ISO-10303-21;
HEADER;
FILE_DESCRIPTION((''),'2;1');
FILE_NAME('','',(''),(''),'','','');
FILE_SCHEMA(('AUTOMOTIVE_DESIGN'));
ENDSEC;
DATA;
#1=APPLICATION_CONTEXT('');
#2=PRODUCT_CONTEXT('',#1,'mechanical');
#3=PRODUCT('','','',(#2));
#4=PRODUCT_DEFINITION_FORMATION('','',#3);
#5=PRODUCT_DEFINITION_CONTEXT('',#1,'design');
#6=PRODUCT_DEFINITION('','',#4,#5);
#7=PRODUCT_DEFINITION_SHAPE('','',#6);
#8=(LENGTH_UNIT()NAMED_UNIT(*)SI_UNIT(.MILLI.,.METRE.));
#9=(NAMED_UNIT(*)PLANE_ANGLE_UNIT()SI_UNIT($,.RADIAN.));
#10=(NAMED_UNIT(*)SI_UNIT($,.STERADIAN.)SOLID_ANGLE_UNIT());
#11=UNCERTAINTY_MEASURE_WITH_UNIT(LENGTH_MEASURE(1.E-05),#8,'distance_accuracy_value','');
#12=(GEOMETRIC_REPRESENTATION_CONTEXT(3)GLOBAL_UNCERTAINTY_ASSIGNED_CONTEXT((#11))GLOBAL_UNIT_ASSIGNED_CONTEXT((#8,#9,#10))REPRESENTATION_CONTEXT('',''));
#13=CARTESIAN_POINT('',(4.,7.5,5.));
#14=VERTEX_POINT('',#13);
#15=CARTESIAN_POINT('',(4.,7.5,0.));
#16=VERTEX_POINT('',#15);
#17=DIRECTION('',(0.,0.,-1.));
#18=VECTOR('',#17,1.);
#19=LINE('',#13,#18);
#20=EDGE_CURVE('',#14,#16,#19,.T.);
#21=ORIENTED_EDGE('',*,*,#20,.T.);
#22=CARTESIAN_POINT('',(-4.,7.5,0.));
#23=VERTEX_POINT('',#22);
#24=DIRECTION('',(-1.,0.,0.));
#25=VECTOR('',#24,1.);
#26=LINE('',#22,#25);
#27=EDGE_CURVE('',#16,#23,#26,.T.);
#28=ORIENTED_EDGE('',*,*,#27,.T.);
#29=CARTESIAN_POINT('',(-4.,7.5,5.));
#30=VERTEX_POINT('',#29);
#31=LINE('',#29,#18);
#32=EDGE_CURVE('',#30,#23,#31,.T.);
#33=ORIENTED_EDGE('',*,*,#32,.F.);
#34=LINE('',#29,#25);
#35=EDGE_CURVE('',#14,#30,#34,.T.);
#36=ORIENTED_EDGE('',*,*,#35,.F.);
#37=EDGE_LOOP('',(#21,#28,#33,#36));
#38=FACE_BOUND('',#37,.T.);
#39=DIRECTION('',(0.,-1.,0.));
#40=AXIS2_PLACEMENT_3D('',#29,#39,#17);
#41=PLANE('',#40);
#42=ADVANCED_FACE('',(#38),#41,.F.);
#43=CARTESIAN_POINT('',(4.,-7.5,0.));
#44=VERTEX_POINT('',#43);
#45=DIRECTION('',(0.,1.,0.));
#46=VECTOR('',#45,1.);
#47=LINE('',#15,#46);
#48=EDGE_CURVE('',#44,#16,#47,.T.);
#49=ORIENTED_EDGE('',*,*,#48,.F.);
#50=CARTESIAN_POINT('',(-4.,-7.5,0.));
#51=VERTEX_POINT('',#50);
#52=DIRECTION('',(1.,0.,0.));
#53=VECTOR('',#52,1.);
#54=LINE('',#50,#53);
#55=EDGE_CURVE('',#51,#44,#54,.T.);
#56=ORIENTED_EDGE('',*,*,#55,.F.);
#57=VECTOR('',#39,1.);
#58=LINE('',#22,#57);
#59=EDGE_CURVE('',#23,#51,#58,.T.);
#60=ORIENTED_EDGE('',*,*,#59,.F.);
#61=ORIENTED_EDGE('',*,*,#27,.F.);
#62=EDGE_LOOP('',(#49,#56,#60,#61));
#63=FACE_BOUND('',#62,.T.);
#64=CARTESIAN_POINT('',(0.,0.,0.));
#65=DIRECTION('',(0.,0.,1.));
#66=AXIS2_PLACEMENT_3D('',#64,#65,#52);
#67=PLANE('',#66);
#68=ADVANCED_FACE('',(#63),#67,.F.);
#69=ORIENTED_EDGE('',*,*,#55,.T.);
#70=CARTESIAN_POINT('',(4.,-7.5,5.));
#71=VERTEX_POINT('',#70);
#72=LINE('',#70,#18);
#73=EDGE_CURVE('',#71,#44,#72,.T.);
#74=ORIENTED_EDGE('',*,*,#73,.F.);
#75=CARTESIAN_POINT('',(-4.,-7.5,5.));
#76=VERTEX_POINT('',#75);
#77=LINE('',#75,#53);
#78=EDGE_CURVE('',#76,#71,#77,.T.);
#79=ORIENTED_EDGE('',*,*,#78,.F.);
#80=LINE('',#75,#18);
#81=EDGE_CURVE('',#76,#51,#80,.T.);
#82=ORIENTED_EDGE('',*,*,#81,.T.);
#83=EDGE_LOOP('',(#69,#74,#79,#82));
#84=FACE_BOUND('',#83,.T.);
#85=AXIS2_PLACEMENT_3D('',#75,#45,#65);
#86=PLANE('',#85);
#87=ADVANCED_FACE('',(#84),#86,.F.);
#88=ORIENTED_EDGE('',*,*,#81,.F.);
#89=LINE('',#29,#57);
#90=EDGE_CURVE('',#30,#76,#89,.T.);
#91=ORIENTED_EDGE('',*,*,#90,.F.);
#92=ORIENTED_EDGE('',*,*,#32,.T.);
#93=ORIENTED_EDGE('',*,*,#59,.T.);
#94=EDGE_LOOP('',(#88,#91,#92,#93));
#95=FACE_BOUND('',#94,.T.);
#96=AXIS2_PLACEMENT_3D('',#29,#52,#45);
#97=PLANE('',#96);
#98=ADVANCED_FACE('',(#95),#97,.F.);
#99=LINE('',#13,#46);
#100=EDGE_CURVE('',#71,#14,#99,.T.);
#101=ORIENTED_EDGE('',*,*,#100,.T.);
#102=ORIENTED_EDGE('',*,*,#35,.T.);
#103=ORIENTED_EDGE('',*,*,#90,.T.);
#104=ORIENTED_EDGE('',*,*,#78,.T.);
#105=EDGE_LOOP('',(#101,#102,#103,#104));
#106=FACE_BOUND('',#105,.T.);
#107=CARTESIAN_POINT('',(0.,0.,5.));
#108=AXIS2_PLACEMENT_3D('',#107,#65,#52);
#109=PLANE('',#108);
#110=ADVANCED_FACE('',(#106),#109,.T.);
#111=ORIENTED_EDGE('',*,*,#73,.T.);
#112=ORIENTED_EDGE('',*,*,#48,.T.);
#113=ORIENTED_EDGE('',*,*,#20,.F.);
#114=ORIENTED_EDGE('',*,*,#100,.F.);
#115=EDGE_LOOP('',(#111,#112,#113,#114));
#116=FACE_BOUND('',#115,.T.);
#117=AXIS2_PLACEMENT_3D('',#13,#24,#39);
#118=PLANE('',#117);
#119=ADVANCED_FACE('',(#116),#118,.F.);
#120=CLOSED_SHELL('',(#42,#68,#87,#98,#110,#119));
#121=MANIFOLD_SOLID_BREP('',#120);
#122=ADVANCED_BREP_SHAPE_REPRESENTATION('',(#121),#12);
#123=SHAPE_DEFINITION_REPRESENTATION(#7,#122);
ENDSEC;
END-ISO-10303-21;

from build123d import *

# Parameters (mm, degrees)
SKICA1_W                = 8
SKICA1_H                = 15
P_IDAT_VYSUNUT_M1_DEPTH = 5


with BuildPart() as part:
    # Skica1 → Přidat vysunutím1 (new body)
    with BuildSketch(Plane.XY):
        Rectangle(SKICA1_W, SKICA1_H)
    extrude(amount=P_IDAT_VYSUNUT_M1_DEPTH)


solid = part.part
